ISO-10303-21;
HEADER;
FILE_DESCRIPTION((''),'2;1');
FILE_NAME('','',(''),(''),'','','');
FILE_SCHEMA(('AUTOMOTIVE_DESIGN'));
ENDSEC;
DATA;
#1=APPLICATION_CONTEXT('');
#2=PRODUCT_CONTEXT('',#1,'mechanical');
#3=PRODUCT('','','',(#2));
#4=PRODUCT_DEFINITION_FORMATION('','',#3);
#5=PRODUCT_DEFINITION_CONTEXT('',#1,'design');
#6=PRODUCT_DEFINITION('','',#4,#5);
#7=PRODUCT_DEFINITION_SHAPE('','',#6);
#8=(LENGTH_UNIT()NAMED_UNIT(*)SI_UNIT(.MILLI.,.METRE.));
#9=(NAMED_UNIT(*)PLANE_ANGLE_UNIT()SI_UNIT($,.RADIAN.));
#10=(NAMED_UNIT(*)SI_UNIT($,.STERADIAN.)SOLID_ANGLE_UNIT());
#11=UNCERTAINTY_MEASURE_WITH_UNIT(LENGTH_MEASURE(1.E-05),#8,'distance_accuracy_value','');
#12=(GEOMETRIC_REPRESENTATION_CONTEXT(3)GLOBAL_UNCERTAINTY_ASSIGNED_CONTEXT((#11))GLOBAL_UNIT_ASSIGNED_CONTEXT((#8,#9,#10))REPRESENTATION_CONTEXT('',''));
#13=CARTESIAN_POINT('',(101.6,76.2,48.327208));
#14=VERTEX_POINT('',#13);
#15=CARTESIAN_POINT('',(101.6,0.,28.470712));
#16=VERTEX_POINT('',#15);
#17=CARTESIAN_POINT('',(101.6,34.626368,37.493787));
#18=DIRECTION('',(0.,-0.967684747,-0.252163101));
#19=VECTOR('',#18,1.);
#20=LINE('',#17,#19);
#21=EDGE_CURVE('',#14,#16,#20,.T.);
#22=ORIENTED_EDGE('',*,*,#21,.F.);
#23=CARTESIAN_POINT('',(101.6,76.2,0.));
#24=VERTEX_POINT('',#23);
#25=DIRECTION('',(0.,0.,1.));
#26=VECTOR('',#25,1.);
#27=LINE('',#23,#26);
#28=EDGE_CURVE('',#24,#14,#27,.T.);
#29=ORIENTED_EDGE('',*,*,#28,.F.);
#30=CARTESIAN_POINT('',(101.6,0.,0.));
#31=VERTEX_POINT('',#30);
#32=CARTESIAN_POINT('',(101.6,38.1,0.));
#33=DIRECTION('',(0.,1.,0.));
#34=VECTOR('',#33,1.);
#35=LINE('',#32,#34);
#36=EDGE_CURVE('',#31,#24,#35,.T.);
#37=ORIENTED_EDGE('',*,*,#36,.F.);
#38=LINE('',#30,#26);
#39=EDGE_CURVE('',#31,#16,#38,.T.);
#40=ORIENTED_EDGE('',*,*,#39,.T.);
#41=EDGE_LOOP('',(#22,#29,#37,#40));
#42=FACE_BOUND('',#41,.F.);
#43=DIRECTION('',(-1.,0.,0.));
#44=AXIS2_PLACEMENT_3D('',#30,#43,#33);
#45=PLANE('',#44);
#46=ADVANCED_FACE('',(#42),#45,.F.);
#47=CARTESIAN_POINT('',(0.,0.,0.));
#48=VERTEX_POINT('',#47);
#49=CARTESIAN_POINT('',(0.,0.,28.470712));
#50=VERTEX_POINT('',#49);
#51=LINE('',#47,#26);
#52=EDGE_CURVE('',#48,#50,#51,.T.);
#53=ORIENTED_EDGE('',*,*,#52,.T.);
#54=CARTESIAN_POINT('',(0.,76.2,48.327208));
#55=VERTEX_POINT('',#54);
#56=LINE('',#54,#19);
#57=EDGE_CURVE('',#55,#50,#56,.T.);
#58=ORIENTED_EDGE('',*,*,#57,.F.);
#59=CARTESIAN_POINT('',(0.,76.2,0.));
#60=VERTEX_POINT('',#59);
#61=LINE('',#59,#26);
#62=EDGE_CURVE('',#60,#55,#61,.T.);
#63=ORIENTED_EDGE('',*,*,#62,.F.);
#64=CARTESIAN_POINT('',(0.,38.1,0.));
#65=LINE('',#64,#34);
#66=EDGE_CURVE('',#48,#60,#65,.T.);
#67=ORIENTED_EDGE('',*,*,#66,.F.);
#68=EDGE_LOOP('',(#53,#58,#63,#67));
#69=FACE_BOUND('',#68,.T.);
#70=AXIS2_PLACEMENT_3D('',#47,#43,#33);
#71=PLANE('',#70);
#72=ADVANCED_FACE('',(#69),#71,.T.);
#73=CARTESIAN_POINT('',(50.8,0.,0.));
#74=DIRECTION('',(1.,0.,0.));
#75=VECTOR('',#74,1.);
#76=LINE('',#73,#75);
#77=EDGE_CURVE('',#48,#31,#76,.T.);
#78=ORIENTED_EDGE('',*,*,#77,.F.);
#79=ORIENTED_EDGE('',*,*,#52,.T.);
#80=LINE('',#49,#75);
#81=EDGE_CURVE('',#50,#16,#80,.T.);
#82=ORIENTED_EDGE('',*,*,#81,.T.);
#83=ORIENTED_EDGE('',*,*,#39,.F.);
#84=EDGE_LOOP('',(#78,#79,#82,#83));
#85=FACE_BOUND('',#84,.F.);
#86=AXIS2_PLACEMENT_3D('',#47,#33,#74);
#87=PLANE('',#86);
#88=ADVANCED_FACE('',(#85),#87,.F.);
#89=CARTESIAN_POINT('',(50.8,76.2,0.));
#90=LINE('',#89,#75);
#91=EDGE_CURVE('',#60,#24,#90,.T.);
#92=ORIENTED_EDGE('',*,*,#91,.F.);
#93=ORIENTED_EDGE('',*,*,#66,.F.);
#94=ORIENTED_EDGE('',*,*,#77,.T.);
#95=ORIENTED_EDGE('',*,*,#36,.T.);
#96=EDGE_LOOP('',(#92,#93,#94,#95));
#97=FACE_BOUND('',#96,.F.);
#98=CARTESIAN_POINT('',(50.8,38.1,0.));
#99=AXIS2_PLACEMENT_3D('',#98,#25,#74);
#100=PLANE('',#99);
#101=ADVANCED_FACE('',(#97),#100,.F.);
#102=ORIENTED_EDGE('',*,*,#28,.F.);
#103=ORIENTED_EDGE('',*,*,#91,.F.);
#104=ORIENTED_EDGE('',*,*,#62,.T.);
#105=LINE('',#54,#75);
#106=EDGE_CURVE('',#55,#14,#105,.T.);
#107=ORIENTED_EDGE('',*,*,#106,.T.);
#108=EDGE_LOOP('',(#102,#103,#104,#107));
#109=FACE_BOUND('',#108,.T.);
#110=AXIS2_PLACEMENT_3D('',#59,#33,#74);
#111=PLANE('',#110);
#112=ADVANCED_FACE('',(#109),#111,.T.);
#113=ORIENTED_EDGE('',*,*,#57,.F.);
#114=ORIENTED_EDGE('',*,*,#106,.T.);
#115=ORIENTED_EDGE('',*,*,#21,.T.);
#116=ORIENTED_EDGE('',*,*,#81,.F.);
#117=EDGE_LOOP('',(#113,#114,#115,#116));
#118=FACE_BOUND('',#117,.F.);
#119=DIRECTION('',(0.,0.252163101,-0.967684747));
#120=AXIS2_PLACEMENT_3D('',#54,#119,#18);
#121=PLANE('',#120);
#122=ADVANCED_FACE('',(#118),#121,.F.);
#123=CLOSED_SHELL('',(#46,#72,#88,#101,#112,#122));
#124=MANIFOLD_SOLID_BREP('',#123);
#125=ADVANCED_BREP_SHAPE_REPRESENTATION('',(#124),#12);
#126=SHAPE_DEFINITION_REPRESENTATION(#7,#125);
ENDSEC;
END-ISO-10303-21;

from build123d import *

# Parameters (mm, degrees)
F0_W     = 101.6
F0_H     = 76.2
F1_DEPTH = 76.2
F3_DEPTH = 127


with BuildPart() as f1:
    # F0 (on Top) → F1 (new body)
    with BuildSketch(Plane.XY):
        with Locations((50.8, 38.1)):
            Rectangle(F0_W, F0_H)
    extrude(amount=F1_DEPTH)

    # F2 (on face) → F3 (cut)
    with BuildSketch(Plane(origin=(0, 0, 0), x_dir=(0, -1, 0), z_dir=(-1, 0, 0))):
        Polygon((0, 76.2), (-76.2, 76.2), (0, 28.470712), align=None)
        Polygon((0, 28.470712), (-76.2, 76.2), (-76.2, 48.327208), align=None)
    extrude(amount=-F3_DEPTH, mode=Mode.SUBTRACT)


solid = f1.part
